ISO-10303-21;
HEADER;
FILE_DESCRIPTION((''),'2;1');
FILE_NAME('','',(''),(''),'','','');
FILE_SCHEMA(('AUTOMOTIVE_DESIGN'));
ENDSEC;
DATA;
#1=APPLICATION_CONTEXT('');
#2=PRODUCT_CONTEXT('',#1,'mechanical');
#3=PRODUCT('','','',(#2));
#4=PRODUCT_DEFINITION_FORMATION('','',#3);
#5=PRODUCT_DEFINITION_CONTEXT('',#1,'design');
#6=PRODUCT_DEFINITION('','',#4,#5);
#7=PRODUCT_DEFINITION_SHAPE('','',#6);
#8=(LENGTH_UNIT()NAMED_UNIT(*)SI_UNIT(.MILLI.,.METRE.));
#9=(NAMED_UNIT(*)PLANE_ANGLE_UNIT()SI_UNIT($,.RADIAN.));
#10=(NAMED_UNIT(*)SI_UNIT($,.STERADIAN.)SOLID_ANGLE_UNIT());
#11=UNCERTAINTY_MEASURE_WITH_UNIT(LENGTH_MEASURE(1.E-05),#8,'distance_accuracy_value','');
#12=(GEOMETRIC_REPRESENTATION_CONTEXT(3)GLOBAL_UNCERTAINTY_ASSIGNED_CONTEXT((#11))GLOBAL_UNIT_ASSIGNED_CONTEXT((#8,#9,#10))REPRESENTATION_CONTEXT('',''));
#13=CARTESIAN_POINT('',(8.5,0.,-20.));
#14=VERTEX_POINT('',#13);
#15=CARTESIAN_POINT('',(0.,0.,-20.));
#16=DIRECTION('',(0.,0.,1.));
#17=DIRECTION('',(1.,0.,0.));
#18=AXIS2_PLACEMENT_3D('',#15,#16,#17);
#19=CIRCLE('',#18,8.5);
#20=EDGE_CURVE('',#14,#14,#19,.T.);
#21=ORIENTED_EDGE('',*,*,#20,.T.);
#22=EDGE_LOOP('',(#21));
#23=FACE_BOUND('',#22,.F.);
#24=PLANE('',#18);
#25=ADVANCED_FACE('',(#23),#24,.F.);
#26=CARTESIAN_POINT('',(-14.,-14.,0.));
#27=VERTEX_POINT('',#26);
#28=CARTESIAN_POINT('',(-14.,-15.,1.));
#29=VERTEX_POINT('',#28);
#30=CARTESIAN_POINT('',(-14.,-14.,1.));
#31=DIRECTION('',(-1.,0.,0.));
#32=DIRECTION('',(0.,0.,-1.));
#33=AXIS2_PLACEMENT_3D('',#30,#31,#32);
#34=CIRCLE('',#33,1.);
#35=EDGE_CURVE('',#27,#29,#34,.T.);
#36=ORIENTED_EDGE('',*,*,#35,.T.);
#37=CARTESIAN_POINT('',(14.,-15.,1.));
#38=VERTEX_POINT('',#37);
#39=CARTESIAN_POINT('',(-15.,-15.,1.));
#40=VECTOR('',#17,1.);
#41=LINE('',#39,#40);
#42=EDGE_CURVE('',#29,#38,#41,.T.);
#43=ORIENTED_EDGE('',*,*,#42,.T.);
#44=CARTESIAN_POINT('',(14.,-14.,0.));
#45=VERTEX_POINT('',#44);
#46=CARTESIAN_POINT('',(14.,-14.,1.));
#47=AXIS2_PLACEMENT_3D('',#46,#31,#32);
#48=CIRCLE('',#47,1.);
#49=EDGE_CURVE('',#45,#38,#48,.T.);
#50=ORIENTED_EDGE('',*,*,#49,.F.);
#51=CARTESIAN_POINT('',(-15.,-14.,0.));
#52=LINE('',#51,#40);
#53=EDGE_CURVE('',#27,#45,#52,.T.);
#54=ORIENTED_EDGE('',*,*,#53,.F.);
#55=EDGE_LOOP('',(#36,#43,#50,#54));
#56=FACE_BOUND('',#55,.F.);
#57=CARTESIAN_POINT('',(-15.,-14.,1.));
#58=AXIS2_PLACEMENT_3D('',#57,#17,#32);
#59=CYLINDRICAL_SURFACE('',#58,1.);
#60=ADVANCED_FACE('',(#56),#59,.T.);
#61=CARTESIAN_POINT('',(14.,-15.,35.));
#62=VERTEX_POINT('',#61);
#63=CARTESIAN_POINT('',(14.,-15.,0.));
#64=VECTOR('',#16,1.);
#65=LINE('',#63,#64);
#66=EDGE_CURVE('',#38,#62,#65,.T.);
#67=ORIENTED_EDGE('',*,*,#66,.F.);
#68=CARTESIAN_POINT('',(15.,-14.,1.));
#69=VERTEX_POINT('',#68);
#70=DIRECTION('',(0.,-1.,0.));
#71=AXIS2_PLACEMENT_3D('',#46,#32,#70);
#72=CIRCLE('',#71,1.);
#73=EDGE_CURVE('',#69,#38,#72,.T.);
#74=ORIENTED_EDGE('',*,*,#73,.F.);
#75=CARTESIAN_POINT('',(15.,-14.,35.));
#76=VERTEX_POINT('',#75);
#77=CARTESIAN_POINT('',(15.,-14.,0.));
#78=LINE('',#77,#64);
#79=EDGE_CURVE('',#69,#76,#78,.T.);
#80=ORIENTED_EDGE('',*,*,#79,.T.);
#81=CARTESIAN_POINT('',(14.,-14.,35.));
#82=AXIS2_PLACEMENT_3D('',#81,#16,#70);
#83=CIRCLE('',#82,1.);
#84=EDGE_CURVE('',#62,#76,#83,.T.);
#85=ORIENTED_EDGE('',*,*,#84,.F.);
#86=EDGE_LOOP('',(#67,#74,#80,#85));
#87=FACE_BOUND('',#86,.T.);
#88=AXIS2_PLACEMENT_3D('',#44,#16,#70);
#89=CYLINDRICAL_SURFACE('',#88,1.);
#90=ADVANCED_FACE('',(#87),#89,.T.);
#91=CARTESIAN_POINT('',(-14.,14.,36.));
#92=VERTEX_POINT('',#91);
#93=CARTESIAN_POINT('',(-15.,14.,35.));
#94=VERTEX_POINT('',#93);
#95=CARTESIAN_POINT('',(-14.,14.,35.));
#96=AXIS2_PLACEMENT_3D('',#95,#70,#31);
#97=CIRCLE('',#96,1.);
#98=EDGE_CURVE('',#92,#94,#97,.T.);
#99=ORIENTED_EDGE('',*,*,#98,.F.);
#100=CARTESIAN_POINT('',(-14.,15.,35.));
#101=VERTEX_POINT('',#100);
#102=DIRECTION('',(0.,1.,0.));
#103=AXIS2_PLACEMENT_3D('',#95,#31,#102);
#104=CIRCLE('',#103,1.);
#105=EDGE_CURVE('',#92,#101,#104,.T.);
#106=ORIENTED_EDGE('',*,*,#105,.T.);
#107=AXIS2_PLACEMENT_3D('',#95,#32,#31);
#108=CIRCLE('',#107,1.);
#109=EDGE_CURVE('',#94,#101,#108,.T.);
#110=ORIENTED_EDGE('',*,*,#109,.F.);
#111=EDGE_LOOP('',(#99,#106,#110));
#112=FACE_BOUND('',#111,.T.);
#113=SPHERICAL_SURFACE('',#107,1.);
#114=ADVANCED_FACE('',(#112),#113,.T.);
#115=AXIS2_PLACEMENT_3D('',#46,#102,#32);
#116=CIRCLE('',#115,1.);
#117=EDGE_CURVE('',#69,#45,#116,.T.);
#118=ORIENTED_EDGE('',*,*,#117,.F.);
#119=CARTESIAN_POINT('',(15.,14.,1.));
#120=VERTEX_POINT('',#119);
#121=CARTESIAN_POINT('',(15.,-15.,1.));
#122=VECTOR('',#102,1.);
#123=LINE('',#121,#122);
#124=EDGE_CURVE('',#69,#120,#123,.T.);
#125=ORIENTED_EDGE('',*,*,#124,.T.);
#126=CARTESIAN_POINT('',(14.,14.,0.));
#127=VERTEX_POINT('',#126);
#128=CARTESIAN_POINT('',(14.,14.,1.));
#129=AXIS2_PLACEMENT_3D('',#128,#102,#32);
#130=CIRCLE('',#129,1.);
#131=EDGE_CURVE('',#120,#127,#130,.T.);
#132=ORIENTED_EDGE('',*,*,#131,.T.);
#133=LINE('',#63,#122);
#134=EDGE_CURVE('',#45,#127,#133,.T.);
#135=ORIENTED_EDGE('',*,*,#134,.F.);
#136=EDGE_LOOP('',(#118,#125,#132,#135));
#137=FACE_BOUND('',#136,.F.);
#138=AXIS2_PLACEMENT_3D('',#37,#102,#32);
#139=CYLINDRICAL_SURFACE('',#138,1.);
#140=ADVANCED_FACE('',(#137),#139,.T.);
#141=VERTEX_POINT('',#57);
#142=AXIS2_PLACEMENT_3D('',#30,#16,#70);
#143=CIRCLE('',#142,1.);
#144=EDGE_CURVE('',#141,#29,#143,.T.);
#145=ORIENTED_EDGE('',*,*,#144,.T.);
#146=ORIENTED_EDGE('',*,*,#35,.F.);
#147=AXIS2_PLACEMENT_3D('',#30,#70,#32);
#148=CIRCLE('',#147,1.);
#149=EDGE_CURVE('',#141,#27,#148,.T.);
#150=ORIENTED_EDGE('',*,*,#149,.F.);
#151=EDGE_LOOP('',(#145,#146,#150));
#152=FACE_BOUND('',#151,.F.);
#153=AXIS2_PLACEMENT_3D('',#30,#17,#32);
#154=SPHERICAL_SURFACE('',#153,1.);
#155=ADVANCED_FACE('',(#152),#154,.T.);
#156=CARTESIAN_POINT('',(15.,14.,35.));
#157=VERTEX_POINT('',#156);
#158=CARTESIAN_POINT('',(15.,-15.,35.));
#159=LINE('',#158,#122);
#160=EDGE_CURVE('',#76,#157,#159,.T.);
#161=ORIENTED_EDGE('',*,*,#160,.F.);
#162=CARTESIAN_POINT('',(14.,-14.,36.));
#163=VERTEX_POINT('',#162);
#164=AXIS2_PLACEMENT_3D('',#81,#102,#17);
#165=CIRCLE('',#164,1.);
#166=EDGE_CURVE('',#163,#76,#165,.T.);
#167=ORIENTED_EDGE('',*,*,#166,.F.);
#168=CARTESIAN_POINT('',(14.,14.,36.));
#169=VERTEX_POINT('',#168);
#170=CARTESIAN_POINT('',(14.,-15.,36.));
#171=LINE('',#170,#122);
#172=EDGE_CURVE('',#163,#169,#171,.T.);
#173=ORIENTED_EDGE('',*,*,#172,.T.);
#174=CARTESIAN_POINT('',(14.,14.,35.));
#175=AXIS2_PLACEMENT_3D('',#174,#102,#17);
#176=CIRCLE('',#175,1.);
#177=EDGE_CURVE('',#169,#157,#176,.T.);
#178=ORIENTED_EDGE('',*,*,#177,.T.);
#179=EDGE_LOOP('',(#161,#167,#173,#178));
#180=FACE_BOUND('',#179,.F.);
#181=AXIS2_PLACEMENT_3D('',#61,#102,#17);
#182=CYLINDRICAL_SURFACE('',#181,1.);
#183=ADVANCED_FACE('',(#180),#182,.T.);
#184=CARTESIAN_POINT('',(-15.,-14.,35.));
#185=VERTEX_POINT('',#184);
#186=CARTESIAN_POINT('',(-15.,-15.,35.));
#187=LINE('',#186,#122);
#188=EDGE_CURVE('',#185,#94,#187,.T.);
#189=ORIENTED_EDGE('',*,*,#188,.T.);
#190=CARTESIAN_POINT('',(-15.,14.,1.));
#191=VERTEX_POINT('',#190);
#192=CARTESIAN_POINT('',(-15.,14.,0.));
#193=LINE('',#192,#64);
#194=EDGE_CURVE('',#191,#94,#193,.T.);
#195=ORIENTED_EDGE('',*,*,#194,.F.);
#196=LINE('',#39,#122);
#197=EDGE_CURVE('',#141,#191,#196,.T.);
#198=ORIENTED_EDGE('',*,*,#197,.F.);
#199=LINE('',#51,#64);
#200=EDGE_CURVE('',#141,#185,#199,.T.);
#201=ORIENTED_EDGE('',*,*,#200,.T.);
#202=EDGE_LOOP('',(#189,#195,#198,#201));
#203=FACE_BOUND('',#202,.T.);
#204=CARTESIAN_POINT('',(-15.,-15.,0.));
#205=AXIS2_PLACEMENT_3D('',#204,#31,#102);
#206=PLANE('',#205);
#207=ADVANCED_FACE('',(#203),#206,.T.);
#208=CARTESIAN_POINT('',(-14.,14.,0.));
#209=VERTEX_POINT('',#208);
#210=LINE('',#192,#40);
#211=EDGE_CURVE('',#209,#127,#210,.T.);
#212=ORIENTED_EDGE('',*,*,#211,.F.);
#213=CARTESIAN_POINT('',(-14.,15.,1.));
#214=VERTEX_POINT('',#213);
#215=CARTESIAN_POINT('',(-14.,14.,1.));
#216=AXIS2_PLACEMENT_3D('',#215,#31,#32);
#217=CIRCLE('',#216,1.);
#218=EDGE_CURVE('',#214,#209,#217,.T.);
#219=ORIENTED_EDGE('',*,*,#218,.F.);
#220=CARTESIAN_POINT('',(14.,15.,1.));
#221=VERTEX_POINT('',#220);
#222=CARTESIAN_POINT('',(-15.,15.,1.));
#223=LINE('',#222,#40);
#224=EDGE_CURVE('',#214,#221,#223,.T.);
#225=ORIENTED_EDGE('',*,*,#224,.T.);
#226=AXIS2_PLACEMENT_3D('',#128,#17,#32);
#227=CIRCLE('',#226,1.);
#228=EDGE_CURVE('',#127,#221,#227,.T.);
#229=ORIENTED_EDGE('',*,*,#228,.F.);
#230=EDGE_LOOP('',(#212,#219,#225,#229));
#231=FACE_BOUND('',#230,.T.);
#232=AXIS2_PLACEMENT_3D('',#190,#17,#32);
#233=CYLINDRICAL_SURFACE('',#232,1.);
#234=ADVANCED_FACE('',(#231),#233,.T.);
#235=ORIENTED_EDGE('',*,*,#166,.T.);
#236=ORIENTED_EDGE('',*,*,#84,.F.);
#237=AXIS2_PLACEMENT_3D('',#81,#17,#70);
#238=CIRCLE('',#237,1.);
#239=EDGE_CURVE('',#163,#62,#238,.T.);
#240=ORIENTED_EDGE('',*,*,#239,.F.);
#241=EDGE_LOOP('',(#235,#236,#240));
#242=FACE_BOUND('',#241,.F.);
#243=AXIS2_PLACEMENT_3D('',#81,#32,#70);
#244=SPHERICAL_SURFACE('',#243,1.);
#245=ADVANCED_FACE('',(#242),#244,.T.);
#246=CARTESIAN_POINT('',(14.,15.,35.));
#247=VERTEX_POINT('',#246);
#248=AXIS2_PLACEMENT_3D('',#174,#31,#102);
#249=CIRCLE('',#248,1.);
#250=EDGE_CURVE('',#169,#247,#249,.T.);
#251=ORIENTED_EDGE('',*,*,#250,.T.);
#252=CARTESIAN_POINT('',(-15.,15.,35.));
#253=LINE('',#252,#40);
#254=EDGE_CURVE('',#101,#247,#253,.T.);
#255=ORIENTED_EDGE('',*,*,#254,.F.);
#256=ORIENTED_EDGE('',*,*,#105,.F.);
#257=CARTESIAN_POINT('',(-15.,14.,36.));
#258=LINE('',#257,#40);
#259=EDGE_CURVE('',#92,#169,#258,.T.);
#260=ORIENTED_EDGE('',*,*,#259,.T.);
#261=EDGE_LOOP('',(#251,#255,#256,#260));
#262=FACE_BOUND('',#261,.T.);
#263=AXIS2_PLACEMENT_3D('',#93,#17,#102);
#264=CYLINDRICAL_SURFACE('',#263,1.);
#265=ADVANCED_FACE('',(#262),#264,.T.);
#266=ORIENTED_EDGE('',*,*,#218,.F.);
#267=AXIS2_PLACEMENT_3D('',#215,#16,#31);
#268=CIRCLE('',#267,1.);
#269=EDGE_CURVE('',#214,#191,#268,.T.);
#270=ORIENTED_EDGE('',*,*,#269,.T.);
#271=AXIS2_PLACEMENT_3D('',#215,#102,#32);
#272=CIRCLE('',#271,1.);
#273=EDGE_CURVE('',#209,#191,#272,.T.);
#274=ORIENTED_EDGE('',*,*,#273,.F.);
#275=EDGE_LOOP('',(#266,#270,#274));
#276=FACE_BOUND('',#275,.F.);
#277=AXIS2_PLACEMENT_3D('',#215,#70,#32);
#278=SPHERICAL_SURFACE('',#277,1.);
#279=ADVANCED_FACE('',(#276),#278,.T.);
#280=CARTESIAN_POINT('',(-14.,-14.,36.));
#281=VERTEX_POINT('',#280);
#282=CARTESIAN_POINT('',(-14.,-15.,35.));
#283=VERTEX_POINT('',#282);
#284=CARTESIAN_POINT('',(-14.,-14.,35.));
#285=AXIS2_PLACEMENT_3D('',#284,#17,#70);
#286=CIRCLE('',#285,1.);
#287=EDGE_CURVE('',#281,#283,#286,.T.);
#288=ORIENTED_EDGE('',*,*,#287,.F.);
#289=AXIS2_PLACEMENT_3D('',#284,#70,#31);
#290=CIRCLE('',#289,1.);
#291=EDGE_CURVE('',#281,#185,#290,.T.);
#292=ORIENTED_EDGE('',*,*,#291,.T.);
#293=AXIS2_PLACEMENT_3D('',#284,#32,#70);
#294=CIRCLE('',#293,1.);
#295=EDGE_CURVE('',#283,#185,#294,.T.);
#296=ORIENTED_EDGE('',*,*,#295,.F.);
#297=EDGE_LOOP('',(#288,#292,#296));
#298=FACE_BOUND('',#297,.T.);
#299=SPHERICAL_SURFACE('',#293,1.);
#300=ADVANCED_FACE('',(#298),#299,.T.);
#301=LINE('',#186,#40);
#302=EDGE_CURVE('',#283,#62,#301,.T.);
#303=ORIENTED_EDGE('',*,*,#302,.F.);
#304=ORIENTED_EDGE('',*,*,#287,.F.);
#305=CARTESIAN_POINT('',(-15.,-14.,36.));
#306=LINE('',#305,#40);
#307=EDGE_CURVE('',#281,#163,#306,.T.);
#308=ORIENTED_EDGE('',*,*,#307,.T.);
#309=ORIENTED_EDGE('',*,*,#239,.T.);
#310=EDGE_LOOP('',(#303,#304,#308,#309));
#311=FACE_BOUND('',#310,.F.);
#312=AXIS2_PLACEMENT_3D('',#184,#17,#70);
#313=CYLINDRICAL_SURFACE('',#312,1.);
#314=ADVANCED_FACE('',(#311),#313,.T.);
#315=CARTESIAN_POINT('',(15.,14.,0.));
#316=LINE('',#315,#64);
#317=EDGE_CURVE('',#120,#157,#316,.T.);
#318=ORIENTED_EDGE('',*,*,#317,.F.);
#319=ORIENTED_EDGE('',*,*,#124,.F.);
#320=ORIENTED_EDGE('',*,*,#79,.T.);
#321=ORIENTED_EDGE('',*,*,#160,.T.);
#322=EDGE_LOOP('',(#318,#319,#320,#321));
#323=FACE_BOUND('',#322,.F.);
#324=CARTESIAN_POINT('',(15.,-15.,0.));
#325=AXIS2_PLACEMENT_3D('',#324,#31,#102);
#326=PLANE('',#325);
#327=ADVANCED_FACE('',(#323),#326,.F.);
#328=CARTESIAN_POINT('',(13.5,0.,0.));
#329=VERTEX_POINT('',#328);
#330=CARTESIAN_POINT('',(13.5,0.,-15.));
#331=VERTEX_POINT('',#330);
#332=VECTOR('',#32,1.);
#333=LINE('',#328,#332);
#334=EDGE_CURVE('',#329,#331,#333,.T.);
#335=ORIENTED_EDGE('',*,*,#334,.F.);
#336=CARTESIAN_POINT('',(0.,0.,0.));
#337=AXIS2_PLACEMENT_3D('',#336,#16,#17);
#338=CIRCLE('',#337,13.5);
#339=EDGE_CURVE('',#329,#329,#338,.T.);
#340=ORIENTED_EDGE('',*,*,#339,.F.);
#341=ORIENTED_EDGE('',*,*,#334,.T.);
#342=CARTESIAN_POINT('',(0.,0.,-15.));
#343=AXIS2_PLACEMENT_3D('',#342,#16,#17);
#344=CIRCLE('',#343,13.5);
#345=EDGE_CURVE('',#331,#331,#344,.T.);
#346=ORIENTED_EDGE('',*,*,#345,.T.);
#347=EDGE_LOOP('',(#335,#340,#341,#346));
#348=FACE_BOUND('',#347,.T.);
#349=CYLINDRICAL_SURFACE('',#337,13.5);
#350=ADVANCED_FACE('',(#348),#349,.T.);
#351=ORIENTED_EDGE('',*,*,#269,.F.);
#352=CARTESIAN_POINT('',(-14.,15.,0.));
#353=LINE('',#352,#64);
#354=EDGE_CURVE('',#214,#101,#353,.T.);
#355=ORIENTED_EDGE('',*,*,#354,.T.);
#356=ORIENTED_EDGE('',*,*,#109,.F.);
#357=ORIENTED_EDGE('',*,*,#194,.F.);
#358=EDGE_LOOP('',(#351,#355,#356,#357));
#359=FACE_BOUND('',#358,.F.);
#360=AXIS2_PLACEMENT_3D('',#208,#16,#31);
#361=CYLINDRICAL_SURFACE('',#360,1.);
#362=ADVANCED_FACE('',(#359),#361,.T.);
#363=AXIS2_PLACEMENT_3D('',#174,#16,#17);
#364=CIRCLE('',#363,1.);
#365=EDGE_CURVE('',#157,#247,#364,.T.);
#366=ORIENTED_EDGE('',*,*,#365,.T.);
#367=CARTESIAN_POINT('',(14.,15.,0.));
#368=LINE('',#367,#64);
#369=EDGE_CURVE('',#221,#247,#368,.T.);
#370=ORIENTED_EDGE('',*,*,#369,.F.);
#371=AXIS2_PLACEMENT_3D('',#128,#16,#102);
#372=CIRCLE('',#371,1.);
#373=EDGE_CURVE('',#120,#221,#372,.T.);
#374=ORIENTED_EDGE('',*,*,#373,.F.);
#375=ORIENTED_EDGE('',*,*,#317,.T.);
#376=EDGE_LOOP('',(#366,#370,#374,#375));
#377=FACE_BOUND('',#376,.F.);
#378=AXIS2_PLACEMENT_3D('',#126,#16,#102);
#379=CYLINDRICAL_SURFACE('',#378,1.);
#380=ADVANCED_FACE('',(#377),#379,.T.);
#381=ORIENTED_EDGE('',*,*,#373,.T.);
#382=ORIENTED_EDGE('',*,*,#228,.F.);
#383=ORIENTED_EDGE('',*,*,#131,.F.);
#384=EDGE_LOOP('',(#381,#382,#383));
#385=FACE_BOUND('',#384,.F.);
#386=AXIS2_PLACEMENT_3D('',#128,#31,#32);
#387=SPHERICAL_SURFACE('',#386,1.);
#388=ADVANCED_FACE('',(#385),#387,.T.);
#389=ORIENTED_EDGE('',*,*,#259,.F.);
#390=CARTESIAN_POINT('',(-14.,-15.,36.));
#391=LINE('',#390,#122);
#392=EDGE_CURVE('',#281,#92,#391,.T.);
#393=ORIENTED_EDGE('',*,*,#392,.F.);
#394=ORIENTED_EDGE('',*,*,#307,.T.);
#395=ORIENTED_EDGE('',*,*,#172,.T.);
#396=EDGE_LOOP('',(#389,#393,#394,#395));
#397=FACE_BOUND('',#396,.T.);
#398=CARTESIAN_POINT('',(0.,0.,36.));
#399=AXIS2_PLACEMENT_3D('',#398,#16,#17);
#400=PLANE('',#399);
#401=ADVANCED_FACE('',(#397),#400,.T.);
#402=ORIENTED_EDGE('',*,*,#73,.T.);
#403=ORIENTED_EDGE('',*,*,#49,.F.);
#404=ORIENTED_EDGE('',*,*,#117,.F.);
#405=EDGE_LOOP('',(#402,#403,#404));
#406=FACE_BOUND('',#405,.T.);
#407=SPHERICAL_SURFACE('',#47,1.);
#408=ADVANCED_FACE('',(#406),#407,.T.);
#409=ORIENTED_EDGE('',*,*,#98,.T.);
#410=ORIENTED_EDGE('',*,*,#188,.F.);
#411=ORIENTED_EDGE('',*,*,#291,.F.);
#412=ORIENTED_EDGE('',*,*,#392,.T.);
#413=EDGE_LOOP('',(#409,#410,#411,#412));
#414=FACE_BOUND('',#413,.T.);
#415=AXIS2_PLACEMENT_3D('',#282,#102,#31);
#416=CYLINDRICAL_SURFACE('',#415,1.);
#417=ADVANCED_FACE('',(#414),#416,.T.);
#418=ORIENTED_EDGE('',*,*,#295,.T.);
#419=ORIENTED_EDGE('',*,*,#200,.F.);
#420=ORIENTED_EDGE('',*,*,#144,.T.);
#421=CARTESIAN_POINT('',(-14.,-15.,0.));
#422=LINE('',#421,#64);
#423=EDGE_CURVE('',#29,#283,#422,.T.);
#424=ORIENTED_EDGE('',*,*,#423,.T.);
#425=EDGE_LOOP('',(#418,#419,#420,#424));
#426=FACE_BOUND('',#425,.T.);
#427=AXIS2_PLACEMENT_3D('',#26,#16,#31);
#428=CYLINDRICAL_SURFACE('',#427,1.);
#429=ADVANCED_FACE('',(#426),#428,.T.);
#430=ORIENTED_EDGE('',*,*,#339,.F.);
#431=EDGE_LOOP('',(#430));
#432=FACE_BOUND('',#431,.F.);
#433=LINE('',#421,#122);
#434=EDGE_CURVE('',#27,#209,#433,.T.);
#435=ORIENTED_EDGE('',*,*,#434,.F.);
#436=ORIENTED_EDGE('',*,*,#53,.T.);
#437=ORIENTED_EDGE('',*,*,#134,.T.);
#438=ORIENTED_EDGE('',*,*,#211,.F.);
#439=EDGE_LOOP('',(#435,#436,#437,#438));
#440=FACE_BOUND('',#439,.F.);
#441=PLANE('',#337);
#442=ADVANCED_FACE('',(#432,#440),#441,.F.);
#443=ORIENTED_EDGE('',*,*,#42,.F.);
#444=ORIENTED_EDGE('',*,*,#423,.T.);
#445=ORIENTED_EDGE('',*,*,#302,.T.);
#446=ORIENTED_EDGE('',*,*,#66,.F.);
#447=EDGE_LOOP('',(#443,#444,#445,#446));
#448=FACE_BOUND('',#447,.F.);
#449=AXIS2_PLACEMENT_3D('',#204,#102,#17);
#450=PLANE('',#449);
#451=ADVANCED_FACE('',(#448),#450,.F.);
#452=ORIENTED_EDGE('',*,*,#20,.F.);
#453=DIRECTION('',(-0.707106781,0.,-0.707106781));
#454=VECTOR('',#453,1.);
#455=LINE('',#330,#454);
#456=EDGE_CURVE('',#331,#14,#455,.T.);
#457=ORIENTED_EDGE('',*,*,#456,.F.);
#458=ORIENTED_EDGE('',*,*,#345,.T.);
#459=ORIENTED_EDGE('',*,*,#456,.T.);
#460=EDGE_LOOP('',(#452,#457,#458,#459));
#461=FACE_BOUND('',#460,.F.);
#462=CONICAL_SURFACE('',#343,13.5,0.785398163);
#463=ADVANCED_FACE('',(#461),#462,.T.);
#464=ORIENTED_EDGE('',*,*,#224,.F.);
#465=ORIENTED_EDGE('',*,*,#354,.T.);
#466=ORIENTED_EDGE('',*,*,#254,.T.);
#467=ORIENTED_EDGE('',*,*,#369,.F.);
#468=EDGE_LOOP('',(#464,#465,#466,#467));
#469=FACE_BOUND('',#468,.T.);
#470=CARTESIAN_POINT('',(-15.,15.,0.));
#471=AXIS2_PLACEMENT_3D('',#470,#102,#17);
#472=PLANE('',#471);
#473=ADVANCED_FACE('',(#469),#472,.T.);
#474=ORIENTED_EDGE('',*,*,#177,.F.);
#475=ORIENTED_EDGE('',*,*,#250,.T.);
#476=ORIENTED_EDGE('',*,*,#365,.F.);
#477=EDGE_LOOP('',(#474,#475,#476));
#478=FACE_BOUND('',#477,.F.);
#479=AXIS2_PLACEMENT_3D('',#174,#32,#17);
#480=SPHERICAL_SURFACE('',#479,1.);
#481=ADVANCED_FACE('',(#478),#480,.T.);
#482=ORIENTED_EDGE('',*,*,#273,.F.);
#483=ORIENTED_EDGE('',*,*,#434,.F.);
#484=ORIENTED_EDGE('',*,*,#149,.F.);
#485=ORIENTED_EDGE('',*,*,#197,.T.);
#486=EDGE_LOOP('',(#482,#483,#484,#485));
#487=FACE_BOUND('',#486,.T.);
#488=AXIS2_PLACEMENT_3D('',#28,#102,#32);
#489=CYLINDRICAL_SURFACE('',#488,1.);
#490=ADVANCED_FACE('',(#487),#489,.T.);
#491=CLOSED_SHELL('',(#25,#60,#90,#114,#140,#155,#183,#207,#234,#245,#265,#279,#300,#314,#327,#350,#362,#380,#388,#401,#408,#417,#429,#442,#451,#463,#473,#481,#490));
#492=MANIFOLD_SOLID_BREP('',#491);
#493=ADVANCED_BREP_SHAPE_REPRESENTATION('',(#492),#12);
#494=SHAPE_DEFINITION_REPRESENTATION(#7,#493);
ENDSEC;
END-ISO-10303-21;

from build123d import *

# Parameters (mm, degrees)
F0_W     = 30
F0_H     = 30
F1_DEPTH = 36
F2_R     = 13.5
F3_DEPTH = 20
F4_SIZE  = 5
F5_R     = 1


with BuildPart() as f1:
    # F0 (on Top) → F1 (new body)
    with BuildSketch(Plane.XY):
        Rectangle(F0_W, F0_H)
    extrude(amount=F1_DEPTH)

    # F2 (on Top) → F3 (join)
    with BuildSketch(Plane.XY):
        Circle(F2_R)
    extrude(amount=-F3_DEPTH)

    # F4
    f4_edges = [f1.edges().sort_by_distance(p)[0] for p in [
        (-13.5, 0, -20),
    ]]
    chamfer(f4_edges, length=F4_SIZE)

    # F5
    f5_edges = [f1.edges().sort_by_distance(p)[0] for p in [
        (0, -15, 0),
        (-15, 0, 0),
        (0, 15, 0),
        (15, 0, 0),
        (15, -15, 18),
        (-15, -15, 18),
        (-15, 15, 18),
        (15, 15, 18),
        (0, -15, 36),
        (-15, 0, 36),
        (15, 0, 36),
        (0, 15, 36),
    ]]
    fillet(f5_edges, radius=F5_R)


solid = f1.part
